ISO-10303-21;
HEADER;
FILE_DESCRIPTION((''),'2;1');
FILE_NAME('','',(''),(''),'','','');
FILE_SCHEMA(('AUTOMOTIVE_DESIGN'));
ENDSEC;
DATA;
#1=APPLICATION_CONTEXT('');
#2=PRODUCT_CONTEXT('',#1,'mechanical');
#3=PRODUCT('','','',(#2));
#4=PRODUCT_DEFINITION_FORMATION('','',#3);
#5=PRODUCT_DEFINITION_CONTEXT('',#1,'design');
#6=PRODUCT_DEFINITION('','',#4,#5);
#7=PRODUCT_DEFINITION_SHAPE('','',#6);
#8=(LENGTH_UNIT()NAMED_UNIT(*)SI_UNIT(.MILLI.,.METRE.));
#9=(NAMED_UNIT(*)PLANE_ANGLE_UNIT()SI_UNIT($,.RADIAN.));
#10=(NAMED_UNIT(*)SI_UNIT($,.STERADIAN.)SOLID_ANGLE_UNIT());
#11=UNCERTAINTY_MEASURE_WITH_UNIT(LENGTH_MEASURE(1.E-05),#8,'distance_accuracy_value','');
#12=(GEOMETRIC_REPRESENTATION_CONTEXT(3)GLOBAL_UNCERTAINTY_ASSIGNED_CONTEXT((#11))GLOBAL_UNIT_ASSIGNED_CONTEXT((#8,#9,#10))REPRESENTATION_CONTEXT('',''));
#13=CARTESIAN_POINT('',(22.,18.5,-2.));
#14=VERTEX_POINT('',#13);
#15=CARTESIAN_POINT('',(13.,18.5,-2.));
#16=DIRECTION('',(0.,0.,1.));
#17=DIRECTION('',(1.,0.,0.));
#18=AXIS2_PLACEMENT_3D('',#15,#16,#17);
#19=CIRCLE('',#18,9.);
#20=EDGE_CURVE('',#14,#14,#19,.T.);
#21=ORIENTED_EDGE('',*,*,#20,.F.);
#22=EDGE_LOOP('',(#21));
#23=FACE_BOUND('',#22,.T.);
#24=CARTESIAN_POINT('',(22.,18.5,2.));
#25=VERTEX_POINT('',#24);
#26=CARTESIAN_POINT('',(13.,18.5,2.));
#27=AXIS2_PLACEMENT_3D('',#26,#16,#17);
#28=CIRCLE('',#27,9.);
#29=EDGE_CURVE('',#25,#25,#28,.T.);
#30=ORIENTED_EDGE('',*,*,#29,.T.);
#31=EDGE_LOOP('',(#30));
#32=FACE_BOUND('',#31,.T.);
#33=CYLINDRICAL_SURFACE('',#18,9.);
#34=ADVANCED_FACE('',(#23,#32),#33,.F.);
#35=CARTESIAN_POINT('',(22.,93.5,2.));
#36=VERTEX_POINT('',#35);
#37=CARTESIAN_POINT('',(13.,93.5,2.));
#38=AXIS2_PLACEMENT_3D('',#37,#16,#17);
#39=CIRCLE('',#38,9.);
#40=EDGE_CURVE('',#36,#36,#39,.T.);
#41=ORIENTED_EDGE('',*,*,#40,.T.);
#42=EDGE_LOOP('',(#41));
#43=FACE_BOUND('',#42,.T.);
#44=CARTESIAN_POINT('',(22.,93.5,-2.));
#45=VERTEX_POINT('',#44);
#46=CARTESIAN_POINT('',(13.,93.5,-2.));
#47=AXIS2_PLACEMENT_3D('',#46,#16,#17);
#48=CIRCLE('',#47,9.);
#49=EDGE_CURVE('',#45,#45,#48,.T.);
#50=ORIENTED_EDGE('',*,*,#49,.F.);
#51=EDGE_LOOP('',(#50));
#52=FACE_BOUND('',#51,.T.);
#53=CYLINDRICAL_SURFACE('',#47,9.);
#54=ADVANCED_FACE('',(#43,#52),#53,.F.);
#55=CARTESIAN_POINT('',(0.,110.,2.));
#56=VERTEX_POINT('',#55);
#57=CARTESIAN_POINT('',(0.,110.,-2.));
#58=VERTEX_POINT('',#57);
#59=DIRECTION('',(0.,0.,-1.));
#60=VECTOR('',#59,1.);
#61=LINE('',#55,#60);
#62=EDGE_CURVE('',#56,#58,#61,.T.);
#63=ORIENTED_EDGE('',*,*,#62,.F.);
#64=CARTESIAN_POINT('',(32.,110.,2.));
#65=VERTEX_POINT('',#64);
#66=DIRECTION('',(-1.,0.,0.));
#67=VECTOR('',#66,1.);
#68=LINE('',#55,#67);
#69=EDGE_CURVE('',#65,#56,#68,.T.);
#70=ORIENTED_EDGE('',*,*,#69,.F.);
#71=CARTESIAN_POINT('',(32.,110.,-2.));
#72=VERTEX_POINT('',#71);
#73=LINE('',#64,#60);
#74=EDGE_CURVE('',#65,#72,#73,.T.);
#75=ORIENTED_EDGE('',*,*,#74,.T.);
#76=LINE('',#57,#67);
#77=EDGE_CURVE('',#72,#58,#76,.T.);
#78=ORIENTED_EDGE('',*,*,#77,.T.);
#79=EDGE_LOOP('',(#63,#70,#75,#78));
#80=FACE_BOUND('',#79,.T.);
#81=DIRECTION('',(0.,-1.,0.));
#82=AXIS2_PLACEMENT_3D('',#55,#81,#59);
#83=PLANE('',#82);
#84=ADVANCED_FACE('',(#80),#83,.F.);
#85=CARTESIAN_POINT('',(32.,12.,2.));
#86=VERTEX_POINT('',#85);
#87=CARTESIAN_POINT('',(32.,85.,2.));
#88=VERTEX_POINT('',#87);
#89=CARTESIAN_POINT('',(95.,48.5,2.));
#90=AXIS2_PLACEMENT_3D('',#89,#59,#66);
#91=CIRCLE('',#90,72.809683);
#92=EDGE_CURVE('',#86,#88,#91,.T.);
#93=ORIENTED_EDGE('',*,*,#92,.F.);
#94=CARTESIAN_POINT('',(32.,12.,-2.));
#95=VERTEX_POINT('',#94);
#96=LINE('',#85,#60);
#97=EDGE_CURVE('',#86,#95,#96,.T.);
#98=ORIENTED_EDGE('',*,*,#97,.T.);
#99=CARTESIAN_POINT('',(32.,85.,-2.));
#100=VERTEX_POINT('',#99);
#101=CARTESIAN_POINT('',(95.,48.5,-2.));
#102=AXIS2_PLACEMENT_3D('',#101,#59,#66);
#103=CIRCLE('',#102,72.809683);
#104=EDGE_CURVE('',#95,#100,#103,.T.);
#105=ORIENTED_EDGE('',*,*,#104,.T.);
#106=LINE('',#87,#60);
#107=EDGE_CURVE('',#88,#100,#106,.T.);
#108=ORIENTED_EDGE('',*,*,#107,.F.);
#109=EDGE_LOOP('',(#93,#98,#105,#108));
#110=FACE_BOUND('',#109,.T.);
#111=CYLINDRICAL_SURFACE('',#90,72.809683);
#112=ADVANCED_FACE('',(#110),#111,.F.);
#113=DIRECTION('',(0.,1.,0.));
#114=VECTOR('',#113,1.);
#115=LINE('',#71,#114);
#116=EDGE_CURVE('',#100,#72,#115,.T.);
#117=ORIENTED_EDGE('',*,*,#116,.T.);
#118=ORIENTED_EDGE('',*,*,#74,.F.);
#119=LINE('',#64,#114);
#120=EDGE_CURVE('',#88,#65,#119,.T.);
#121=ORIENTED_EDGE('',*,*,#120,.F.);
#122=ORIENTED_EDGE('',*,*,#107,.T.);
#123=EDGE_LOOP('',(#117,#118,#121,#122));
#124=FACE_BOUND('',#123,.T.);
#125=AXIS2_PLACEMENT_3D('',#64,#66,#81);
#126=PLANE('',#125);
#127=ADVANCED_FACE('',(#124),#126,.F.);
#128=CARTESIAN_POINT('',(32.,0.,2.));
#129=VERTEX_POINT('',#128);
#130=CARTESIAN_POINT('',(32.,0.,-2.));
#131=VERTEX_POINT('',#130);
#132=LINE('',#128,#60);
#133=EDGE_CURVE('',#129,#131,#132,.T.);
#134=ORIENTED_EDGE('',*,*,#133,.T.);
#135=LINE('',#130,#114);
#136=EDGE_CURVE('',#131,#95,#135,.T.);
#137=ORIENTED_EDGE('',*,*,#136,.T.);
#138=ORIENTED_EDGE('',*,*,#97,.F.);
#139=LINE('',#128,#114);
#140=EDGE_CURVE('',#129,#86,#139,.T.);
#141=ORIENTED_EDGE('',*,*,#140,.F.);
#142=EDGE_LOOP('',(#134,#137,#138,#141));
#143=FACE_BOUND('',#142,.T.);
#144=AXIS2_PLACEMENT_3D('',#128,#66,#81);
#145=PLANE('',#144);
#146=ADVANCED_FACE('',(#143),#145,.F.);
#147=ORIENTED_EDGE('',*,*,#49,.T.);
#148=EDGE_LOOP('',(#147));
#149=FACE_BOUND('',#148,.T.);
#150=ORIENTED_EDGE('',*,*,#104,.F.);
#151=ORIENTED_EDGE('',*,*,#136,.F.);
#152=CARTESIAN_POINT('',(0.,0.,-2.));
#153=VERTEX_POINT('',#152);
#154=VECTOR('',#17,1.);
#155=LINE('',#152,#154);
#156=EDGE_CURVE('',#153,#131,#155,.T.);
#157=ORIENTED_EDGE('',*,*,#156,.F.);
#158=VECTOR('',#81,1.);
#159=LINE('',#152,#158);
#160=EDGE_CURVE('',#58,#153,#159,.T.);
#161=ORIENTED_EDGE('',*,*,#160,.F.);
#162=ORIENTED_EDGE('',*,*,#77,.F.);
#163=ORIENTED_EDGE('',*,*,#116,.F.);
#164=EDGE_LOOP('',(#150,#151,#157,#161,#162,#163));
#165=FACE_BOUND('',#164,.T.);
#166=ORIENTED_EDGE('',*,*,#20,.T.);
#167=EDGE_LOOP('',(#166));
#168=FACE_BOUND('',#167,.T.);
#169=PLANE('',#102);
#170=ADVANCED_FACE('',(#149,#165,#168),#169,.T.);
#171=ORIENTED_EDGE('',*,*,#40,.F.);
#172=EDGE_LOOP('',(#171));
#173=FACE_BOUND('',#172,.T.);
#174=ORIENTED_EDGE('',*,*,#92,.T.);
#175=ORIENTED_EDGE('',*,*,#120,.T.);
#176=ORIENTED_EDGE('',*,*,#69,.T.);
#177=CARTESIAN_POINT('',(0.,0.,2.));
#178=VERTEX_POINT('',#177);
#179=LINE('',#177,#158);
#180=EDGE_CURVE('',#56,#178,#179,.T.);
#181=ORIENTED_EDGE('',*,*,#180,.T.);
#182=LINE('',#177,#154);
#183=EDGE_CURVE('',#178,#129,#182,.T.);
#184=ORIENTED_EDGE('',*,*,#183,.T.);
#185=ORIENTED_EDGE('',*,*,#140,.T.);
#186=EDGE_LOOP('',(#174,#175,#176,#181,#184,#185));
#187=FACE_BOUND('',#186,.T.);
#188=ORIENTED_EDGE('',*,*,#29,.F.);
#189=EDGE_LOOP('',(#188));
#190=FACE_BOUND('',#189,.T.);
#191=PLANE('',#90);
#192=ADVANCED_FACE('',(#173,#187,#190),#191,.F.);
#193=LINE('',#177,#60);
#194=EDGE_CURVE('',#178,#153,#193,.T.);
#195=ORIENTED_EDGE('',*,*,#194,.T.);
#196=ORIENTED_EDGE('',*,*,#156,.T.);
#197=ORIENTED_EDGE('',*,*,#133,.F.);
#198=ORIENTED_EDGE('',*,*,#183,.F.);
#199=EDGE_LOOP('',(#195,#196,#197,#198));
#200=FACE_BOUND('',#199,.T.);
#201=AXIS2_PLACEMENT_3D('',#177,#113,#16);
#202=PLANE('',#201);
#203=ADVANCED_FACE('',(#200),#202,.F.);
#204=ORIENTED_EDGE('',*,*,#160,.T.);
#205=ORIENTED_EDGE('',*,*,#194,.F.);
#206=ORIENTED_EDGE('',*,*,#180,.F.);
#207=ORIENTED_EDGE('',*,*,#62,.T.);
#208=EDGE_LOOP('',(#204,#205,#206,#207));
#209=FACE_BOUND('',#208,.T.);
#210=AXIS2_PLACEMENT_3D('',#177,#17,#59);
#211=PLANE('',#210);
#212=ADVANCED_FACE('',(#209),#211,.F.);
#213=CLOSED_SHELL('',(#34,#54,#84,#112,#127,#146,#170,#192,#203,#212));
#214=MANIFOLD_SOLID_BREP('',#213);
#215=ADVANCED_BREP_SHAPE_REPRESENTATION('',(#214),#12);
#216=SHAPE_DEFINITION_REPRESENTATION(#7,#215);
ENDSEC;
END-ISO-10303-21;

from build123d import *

# Parameters (mm, degrees)
Y_KSEKLIK_EKSTR_ZYON1_DEPTH = 2
IZIM2_R                     = 9
KES_EKSTR_ZYON1_DEPTH       = 5


with BuildPart() as part:
    # Çizim1 → Yükseklik-Ekstrüzyon1 (new body, symmetric)
    with BuildSketch(Plane.XY):
        with BuildLine():
            Line((0, 0), (0, 110))
            Line((0, 110), (32, 110))
            Line((32, 110), (32, 85))
            ThreePointArc((32, 85), (22.190316578, 48.5), (32, 12))
            Line((32, 12), (32, 0))
            Line((32, 0), (0, 0))
        make_face()
    extrude(amount=Y_KSEKLIK_EKSTR_ZYON1_DEPTH, both=True)

    # Çizim2 → Kes-Ekstrüzyon1 (cut, through all)
    with BuildSketch(Plane.XY.offset(2)):
        with Locations((13, 93.5)):
            Circle(IZIM2_R)
        with Locations((13, 18.5)):
            Circle(IZIM2_R)
    extrude(amount=-KES_EKSTR_ZYON1_DEPTH, mode=Mode.SUBTRACT)


solid = part.part
